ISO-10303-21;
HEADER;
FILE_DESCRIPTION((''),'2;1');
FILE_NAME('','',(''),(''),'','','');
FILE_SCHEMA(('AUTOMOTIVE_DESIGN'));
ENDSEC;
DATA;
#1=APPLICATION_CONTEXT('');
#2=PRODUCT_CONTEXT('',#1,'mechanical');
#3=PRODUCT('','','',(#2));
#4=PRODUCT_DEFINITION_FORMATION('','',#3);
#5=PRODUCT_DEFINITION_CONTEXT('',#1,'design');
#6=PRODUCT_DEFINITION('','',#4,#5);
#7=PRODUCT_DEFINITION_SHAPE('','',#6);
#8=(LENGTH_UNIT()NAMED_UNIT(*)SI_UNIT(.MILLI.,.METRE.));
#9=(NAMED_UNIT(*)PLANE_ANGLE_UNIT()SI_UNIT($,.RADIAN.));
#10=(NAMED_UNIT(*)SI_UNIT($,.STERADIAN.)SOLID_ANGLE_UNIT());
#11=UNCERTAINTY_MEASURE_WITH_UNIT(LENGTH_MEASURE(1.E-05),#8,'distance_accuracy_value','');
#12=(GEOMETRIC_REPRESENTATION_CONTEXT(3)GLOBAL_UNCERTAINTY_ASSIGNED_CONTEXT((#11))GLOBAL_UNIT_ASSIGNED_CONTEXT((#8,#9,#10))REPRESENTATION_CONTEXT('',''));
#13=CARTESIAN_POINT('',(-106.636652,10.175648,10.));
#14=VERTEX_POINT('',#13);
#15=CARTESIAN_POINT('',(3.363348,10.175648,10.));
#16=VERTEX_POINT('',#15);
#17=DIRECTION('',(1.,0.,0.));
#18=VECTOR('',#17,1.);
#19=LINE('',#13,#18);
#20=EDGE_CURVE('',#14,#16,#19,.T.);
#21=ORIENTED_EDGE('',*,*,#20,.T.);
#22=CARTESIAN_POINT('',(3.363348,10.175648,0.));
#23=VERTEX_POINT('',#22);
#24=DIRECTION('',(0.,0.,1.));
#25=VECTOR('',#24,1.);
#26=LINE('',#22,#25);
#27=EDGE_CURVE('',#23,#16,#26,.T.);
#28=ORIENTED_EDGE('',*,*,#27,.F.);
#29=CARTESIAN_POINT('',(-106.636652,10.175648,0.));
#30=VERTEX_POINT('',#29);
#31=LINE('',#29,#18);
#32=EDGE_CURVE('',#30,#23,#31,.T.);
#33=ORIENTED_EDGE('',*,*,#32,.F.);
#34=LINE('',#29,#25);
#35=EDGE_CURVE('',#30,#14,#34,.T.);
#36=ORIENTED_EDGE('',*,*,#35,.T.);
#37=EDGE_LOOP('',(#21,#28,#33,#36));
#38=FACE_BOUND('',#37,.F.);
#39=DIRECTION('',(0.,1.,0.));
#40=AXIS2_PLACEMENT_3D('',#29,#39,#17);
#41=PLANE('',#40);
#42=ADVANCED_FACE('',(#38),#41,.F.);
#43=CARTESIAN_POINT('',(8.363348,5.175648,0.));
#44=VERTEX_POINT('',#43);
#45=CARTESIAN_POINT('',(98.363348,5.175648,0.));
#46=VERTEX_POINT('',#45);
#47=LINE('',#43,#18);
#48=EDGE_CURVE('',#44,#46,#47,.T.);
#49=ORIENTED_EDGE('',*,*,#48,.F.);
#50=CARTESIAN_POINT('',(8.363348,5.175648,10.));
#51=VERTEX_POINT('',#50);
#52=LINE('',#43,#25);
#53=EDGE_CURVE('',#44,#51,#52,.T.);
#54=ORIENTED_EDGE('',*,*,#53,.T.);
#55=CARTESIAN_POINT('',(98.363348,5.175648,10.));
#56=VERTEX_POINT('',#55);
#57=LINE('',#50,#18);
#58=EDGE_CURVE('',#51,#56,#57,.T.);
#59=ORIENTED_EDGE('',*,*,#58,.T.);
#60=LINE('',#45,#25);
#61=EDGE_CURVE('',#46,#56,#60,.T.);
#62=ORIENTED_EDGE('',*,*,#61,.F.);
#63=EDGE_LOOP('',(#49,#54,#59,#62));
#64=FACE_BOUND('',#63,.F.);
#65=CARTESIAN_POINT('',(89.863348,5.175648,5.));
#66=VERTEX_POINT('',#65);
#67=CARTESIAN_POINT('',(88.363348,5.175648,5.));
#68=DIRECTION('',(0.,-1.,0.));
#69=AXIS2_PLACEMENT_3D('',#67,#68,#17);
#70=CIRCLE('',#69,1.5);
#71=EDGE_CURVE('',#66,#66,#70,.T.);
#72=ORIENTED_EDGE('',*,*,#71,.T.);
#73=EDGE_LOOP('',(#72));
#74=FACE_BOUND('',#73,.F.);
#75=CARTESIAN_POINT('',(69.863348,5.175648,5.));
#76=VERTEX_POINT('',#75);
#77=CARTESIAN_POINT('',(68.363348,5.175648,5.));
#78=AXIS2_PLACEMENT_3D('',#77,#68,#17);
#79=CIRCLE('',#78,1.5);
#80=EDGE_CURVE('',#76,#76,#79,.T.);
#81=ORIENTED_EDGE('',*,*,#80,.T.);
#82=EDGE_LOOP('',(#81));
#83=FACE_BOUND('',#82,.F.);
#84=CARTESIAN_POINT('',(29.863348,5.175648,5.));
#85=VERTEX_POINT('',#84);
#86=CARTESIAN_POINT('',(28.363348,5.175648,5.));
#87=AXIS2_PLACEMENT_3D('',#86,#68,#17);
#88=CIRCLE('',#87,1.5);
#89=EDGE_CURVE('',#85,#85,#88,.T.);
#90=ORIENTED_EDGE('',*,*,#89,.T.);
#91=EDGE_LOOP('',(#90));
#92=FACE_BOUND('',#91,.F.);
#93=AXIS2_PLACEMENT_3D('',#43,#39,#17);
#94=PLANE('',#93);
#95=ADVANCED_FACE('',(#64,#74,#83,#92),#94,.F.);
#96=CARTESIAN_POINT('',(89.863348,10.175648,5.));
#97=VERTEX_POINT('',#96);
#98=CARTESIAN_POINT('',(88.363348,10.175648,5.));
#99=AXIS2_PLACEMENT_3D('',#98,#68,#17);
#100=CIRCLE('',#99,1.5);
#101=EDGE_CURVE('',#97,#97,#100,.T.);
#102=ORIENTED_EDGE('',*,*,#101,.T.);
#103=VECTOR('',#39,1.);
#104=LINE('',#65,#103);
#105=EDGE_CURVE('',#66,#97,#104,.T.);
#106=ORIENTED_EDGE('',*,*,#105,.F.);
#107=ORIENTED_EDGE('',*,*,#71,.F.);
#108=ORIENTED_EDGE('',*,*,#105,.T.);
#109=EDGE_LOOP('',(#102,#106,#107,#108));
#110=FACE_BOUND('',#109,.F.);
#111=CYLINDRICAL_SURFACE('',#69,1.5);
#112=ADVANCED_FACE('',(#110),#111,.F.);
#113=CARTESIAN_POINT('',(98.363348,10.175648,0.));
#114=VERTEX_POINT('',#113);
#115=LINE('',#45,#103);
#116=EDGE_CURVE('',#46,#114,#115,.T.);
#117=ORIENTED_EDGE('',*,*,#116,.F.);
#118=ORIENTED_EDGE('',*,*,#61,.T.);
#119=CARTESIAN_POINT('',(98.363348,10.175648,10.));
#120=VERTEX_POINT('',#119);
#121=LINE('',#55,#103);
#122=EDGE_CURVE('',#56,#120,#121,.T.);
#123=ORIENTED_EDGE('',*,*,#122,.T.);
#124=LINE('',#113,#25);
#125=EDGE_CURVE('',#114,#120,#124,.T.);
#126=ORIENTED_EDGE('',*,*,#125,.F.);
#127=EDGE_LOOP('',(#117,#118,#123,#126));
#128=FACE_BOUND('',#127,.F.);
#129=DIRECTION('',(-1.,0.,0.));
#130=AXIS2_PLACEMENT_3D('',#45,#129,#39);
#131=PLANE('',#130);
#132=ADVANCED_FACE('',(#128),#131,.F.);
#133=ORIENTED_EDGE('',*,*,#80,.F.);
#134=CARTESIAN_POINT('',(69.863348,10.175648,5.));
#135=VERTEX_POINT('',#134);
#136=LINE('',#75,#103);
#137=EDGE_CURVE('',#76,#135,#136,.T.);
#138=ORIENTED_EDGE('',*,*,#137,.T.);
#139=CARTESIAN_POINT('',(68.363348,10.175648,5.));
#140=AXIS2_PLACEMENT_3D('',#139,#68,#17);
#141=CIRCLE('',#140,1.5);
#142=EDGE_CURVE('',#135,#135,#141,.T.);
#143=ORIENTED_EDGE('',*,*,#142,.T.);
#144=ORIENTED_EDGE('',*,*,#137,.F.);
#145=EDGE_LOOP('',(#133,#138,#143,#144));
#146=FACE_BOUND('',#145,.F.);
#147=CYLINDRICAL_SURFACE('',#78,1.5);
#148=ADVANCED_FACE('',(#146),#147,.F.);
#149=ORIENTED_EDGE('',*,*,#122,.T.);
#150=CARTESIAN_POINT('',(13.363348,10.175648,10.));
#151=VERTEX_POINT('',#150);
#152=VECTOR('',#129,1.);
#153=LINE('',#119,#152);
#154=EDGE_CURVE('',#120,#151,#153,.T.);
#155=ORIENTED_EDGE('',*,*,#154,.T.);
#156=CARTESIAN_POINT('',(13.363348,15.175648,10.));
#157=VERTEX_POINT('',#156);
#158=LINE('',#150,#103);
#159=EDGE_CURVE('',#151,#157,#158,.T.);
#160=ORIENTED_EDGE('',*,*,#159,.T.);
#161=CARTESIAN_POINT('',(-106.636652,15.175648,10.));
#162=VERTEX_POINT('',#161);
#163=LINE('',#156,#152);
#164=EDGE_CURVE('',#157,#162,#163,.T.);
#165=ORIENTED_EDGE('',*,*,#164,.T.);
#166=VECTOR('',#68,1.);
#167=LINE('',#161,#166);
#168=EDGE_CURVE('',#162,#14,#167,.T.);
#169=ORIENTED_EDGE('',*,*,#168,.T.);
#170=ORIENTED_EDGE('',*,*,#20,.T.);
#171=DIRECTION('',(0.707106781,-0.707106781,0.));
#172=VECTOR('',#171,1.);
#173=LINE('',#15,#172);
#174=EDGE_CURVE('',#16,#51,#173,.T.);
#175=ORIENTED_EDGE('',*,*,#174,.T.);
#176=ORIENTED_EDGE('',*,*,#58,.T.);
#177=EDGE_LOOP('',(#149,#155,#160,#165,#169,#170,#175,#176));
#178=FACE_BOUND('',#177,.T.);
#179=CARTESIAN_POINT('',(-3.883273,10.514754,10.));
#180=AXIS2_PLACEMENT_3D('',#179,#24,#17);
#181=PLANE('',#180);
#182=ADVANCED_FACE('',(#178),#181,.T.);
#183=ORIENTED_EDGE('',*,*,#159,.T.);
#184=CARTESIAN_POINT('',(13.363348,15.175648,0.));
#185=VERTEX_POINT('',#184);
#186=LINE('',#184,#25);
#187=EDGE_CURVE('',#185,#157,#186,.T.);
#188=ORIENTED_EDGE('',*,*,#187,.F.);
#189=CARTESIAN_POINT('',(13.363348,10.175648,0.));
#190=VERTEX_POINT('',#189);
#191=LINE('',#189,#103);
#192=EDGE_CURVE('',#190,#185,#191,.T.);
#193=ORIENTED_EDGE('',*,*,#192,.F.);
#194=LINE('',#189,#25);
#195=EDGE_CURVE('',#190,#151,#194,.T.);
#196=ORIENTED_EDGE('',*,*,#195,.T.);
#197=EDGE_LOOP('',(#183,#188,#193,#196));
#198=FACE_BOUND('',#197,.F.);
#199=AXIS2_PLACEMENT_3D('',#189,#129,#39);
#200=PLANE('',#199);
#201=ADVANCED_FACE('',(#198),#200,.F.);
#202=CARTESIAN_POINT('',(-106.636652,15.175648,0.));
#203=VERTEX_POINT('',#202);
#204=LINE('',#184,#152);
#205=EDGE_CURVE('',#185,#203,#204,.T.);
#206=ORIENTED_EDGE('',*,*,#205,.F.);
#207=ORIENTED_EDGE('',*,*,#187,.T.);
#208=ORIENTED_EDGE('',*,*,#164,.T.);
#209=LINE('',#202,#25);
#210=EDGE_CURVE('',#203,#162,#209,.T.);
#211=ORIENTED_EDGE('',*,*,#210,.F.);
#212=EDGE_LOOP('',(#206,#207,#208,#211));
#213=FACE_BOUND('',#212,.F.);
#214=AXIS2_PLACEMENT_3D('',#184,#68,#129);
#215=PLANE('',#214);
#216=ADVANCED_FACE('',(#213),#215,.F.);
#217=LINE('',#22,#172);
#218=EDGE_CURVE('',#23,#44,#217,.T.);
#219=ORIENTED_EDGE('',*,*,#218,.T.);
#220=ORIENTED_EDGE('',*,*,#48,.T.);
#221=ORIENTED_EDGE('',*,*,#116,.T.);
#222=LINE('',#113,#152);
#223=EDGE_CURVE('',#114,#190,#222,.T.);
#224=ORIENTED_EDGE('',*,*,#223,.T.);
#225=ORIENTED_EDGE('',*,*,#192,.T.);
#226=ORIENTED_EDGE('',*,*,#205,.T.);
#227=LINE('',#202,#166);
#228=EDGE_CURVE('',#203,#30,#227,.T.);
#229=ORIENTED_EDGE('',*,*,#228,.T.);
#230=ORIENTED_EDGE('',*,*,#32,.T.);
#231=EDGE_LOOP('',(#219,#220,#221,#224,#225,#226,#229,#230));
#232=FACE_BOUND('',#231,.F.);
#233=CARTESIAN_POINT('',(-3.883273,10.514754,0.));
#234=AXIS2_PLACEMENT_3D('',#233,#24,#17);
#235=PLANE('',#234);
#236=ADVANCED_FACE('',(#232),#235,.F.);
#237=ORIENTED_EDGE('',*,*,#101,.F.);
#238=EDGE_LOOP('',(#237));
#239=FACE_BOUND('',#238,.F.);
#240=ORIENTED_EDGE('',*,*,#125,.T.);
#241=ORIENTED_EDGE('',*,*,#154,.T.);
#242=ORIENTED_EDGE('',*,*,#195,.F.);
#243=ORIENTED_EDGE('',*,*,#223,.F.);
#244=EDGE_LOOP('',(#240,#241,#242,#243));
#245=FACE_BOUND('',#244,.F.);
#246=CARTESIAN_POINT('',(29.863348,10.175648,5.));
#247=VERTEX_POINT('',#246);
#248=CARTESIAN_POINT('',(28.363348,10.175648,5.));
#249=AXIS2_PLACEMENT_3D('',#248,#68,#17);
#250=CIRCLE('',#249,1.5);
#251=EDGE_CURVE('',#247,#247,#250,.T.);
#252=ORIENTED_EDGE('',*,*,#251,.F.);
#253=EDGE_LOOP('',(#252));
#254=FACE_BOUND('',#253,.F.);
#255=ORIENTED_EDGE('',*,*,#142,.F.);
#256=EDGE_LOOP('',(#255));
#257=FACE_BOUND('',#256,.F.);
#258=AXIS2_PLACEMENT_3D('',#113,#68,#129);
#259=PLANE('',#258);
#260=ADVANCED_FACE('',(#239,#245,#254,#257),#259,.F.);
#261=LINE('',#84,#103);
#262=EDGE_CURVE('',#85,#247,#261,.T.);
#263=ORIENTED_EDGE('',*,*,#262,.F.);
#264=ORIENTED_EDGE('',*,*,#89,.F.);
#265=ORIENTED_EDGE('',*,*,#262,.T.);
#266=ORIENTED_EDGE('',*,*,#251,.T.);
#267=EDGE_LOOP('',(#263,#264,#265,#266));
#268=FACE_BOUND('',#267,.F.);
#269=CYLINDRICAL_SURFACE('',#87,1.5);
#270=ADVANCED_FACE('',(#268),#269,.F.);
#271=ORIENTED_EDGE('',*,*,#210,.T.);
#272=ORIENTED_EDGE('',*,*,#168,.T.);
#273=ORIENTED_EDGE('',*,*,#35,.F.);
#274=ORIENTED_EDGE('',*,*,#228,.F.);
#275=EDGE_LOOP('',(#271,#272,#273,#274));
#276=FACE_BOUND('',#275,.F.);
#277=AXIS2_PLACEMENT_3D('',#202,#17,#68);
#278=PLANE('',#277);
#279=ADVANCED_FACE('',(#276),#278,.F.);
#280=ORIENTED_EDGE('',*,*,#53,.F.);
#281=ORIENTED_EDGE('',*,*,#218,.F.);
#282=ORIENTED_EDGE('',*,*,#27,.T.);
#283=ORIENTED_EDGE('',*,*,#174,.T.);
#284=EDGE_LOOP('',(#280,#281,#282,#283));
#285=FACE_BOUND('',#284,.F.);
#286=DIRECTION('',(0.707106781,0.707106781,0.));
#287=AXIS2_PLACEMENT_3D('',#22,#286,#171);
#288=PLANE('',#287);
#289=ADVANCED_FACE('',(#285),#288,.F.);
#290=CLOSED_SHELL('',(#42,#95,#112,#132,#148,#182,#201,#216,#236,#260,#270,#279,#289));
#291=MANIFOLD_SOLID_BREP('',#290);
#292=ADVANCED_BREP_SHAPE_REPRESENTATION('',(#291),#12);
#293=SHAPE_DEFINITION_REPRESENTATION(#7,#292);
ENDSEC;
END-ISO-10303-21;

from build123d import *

# Parameters (mm, degrees)
F1_DEPTH = 10
F2_R     = 1.5
F3_DEPTH = 10.001


with BuildPart() as f1:
    # F0 (on Top) → F1 (new body)
    with BuildSketch(Plane.XY):
        Polygon((13.363348, 15.175648), (-106.636652, 15.175648), (-106.636652, 10.175648), (3.363348, 10.175648), (8.363348, 5.175648), (13.363348, 5.175648), (98.363348, 5.175648), (98.363348, 10.175648), (13.363348, 10.175648), align=None)
    extrude(amount=F1_DEPTH)

    # F2 (on face) → F3 (cut, through all)
    with BuildSketch(Plane.XZ.offset(-5.175648)):
        with Locations((88.363348, 5)):
            Circle(F2_R)
        with Locations((68.363348, 5)):
            Circle(F2_R)
        with Locations((28.363348, 5)):
            Circle(F2_R)
    extrude(amount=-F3_DEPTH, mode=Mode.SUBTRACT)


solid = f1.part
